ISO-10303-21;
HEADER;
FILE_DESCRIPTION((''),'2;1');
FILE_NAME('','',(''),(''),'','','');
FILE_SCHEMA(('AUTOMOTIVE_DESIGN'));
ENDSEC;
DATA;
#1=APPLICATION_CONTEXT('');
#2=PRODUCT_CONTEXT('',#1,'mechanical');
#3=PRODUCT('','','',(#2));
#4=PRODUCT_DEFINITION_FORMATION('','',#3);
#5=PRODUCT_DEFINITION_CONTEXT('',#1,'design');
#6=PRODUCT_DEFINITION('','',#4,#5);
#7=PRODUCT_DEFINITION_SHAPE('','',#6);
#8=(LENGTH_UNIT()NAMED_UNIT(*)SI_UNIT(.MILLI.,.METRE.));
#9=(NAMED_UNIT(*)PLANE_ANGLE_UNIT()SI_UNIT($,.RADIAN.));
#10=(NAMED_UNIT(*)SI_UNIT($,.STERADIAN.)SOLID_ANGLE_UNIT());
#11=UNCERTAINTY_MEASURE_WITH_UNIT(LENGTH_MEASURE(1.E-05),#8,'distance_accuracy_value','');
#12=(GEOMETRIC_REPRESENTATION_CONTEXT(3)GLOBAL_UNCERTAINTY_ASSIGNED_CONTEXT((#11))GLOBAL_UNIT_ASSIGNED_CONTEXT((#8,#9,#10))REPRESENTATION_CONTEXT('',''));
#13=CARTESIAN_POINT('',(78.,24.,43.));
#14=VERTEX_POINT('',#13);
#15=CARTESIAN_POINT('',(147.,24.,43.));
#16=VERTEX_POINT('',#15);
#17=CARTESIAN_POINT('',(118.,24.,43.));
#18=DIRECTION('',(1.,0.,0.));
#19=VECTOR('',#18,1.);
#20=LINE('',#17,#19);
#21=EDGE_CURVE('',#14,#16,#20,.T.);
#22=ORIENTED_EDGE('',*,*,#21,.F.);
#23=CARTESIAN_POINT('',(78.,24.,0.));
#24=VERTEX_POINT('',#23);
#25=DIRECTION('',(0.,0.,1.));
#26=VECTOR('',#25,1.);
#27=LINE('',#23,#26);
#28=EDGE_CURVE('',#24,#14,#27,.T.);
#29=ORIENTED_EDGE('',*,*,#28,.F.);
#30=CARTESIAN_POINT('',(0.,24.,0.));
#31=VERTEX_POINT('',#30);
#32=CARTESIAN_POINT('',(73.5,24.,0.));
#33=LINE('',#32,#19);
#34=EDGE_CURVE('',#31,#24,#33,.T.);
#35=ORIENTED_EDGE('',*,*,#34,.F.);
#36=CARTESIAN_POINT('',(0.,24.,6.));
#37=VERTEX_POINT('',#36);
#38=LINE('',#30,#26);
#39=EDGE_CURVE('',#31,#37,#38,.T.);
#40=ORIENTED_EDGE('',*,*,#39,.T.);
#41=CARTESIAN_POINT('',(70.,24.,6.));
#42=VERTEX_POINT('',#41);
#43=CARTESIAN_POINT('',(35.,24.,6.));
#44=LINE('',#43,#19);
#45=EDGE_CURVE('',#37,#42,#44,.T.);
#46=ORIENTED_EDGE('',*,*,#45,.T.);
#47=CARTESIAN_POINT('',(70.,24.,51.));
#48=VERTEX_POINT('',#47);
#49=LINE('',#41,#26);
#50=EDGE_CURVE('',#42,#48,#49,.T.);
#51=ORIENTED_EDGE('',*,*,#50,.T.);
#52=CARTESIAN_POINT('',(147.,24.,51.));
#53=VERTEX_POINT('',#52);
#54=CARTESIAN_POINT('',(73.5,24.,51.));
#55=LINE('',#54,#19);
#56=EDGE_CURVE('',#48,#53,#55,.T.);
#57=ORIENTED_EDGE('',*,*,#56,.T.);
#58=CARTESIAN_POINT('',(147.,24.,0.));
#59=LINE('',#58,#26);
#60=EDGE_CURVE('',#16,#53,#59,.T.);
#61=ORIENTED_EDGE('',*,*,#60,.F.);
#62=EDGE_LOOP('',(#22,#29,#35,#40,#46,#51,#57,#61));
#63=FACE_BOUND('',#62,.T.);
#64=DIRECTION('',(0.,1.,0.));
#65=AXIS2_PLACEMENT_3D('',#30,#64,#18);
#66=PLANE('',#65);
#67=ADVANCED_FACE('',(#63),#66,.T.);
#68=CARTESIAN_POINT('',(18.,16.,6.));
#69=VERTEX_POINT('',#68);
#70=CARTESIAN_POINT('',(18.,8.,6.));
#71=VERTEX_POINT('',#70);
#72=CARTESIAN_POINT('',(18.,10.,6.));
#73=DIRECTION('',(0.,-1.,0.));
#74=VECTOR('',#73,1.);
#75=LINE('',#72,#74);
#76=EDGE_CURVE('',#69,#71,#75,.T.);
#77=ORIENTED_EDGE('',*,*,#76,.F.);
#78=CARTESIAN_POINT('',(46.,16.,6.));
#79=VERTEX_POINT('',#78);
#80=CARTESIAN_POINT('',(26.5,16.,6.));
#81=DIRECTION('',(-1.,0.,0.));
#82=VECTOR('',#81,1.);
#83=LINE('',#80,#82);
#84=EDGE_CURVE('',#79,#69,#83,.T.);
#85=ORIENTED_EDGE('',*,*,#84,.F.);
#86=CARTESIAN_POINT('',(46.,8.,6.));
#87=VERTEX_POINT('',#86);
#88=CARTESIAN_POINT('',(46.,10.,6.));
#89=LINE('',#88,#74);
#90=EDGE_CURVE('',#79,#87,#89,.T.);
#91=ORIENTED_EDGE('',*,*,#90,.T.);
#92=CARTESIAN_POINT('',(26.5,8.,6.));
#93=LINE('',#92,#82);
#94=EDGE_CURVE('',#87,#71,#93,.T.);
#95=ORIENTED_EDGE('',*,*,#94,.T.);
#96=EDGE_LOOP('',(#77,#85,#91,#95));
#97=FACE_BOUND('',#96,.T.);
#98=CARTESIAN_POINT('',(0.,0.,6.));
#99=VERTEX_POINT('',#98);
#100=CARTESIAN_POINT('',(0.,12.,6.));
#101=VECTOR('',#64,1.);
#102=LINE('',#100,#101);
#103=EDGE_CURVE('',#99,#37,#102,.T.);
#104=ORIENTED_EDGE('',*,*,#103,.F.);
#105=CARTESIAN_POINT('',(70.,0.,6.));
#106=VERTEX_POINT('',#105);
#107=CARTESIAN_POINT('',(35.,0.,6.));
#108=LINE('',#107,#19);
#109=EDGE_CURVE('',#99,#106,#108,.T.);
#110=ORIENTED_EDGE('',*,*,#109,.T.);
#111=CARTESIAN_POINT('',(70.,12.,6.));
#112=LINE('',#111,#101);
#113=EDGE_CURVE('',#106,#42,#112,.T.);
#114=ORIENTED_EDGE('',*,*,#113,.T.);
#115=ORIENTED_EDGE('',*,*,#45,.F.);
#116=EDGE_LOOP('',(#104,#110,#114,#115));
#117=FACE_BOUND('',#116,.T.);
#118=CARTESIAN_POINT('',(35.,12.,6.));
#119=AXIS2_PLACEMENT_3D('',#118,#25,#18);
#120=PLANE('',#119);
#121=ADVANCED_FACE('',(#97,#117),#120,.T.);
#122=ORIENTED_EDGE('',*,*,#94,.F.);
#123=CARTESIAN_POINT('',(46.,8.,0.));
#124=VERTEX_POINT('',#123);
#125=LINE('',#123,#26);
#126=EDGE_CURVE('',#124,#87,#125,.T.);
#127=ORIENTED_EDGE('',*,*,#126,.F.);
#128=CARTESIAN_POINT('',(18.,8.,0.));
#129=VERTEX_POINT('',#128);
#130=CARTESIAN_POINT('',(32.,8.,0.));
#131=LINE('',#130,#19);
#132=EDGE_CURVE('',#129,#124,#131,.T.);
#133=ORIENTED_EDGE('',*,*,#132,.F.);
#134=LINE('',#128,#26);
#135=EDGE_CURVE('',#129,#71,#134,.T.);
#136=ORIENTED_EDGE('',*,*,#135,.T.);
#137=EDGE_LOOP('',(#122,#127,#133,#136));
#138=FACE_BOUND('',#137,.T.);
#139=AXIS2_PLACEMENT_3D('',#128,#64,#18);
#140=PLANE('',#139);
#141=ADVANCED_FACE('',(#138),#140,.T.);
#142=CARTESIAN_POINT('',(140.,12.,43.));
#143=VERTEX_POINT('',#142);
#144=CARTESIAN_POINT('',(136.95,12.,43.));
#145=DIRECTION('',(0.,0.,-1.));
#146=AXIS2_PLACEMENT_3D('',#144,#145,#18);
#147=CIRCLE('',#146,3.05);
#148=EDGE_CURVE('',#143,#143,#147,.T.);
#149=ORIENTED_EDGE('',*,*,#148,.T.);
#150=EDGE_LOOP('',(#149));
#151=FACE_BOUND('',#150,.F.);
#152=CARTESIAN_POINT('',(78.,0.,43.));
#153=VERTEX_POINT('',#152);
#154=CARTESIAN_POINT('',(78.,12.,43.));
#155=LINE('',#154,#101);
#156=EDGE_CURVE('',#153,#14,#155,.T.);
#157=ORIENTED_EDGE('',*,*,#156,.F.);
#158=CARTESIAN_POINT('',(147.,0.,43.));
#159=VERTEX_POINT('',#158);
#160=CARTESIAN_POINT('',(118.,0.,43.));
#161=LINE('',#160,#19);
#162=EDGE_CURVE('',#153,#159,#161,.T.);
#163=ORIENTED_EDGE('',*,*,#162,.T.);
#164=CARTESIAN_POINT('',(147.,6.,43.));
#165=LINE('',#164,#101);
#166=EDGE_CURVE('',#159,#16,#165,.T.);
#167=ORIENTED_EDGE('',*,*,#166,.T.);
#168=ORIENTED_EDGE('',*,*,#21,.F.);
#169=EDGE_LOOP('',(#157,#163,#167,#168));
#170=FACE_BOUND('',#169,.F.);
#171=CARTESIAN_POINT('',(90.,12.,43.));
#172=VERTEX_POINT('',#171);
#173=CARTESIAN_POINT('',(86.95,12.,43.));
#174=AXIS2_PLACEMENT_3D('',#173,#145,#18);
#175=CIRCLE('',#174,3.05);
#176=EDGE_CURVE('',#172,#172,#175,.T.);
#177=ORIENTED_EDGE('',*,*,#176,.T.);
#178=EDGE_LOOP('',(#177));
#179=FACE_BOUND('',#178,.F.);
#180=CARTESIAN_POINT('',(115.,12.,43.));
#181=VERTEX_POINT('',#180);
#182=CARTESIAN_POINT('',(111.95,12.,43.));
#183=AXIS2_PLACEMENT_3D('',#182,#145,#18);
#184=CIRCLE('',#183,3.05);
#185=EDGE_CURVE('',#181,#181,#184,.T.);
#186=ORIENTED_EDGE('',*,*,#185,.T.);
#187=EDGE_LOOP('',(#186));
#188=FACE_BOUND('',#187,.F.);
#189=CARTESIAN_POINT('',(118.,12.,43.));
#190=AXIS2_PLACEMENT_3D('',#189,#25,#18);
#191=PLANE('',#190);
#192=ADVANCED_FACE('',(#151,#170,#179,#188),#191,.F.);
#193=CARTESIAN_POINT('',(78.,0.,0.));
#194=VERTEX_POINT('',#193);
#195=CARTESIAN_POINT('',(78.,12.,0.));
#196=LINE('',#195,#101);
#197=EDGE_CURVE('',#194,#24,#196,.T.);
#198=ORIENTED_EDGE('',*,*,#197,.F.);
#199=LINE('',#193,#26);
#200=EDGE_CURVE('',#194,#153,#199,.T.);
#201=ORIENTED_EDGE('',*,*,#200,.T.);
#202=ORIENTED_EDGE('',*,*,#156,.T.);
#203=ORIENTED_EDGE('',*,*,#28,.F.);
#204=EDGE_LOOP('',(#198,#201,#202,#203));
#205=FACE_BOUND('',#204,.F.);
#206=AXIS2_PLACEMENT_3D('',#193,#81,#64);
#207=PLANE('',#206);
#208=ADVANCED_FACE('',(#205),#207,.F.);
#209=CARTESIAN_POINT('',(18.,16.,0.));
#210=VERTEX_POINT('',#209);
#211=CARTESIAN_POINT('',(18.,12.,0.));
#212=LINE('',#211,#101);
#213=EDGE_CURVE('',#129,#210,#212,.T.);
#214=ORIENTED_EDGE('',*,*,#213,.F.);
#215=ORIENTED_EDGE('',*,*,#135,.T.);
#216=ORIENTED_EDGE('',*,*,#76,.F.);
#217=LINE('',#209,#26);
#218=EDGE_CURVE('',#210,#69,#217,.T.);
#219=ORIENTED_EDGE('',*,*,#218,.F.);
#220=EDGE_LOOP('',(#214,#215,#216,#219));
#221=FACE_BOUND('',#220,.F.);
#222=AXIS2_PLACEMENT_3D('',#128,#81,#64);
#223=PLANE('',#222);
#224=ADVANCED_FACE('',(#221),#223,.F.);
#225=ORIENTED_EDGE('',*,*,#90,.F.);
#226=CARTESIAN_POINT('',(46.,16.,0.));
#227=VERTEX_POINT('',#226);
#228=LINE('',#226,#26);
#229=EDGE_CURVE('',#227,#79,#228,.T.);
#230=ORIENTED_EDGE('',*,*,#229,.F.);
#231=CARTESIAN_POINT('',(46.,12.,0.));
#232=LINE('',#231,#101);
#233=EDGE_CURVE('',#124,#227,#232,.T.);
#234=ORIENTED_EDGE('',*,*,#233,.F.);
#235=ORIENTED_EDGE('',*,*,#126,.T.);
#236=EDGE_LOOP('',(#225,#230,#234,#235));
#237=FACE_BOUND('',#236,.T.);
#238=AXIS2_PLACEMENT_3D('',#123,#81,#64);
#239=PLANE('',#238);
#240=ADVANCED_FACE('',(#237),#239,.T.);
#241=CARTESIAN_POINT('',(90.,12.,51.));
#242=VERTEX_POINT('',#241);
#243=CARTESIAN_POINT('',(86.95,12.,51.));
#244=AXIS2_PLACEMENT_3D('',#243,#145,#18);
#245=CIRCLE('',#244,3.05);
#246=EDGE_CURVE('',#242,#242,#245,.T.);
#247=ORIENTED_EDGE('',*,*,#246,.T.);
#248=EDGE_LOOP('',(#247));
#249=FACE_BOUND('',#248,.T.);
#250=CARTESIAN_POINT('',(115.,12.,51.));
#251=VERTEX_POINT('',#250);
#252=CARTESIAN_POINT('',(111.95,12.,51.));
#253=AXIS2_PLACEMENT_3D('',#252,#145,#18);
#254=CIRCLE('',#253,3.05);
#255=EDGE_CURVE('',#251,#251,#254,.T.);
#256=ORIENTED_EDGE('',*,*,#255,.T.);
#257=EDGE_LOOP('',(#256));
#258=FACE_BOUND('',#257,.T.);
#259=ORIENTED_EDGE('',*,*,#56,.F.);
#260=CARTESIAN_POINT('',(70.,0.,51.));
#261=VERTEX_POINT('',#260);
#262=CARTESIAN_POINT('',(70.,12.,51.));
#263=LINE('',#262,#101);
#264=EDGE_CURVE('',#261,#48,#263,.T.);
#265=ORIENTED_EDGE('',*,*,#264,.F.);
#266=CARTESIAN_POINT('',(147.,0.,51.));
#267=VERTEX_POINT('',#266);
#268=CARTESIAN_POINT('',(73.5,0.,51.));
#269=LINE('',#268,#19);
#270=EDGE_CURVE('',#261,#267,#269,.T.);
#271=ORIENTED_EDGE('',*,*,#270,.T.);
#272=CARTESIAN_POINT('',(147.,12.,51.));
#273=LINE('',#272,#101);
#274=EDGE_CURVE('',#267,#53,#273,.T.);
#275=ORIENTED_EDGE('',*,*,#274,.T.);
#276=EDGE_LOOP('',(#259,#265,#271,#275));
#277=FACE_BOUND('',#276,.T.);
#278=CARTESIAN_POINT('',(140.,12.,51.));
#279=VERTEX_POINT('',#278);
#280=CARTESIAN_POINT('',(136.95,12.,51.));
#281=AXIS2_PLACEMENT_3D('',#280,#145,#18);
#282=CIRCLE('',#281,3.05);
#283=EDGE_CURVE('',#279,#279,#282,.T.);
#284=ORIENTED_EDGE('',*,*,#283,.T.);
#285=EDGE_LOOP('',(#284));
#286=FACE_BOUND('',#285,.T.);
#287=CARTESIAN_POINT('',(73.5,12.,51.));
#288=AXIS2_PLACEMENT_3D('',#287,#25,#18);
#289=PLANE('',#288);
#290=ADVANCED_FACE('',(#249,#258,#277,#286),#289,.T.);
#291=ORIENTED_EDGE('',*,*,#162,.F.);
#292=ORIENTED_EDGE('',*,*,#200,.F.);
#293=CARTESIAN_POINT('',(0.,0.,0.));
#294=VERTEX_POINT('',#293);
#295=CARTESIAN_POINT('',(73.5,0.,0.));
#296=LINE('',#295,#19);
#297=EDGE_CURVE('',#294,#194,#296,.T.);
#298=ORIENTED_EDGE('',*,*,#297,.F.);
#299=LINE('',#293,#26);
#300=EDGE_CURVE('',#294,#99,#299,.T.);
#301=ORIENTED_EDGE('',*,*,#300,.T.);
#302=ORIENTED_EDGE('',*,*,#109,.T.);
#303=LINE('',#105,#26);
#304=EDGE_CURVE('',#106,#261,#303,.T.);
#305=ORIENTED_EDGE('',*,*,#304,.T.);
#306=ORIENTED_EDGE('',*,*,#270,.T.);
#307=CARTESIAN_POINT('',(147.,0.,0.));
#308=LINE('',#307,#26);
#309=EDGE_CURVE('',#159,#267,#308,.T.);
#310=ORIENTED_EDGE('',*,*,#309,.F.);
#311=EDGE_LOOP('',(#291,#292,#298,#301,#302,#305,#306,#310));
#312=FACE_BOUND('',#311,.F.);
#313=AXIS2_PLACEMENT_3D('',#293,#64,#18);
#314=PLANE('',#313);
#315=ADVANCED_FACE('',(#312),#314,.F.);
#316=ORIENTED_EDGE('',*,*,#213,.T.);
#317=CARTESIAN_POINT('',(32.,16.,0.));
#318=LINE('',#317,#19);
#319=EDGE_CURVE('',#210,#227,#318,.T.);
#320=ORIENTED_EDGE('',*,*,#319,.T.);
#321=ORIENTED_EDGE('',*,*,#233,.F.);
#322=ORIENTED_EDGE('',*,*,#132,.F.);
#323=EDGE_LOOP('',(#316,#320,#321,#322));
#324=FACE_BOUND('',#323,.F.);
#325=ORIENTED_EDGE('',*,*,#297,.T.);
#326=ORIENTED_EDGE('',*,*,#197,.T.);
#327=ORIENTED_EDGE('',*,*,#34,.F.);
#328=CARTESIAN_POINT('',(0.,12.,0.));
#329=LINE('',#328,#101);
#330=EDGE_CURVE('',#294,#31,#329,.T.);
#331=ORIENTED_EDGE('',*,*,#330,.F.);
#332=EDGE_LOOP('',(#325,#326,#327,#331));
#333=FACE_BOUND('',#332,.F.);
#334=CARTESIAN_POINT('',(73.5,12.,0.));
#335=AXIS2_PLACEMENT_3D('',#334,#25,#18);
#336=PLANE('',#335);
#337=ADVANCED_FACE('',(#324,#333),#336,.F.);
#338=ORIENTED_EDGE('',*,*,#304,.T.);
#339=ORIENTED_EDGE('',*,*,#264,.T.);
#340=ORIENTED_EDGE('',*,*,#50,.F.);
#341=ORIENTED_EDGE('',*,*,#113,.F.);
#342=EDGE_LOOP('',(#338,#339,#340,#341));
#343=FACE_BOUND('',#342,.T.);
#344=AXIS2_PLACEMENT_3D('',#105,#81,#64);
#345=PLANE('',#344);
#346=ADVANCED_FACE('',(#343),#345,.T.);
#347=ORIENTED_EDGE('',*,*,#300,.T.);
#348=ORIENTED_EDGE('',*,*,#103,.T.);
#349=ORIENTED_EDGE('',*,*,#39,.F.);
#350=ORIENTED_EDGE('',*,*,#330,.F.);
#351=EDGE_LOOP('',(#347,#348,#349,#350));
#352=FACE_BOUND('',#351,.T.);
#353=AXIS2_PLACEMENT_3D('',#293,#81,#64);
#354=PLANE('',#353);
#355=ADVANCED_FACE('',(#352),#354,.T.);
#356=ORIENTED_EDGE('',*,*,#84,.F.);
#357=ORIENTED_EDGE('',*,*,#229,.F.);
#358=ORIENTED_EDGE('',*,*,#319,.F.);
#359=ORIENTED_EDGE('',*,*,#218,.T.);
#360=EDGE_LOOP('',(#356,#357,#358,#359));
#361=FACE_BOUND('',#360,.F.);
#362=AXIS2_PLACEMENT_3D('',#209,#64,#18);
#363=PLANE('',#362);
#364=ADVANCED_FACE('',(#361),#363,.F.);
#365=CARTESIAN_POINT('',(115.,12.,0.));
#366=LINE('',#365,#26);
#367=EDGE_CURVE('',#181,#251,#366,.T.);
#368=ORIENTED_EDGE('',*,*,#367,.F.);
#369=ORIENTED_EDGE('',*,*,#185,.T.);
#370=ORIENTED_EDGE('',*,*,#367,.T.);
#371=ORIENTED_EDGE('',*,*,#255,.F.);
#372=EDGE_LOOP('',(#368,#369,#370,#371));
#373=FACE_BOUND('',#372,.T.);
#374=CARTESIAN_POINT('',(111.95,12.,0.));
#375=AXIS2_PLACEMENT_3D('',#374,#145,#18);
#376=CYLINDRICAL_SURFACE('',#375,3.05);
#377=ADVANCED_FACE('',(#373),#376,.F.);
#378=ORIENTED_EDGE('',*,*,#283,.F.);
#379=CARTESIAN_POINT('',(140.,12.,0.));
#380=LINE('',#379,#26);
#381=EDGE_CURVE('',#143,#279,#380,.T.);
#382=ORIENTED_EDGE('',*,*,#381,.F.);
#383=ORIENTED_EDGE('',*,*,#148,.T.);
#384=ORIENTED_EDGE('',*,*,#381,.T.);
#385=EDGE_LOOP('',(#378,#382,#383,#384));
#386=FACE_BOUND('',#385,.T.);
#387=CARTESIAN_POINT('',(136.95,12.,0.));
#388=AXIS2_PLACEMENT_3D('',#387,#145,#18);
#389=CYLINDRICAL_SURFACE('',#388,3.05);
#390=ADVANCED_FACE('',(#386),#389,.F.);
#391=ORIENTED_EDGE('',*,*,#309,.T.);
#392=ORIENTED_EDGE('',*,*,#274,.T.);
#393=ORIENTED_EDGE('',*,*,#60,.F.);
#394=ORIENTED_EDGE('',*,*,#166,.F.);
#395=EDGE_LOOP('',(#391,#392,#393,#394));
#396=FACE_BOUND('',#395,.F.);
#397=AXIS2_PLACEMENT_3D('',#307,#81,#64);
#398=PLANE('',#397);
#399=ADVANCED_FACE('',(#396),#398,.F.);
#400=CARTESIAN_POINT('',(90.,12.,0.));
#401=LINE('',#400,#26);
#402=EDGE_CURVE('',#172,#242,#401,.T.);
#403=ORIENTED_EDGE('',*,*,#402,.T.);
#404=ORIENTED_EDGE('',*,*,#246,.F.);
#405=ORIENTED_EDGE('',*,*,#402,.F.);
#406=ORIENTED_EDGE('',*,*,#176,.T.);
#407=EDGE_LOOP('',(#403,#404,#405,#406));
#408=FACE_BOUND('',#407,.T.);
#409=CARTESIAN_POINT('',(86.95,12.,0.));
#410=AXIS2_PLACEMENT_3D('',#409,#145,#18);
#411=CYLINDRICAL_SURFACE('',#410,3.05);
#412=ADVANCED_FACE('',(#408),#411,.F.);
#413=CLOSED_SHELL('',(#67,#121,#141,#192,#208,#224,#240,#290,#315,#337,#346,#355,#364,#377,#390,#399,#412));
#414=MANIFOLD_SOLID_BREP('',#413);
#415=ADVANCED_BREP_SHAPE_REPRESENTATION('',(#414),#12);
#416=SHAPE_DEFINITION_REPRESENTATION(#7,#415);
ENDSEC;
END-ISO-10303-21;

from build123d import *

# Parameters (mm, degrees)
BOX003_W          = 28
BOX003_H          = 8
BOX003_DEPTH      = 10
CYLINDER_R        = 3.05
CYLINDER_DEPTH    = 80
CYLINDER001_R     = 3.05
CYLINDER001_DEPTH = 80
CYLINDER002_R     = 3.05
CYLINDER002_DEPTH = 80
BOX001_W          = 70
BOX001_H          = 24
BOX001_DEPTH      = 45
BOX002_W          = 80
BOX002_H          = 24
BOX002_DEPTH      = 43
BOX_W             = 147
BOX_H             = 24
BOX_DEPTH         = 51


with BuildPart() as slide_hole:
    # Box003 → Box003 (new body)
    with BuildSketch(Plane(origin=(18, 8, 0), x_dir=(1, 0, 0), z_dir=(0, 0, 1))):
        with Locations((14, 4)):
            Rectangle(BOX003_W, BOX003_H)
    extrude(amount=BOX003_DEPTH)


with BuildPart() as hole_r:
    # Cylinder → Cylinder (new body)
    with BuildSketch(Plane(origin=(136.95, 12, 0), x_dir=(1, 0, 0), z_dir=(0, 0, 1))):
        Circle(CYLINDER_R)
    extrude(amount=CYLINDER_DEPTH)


with BuildPart() as hole_c:
    # Cylinder001 → Cylinder001 (new body)
    with BuildSketch(Plane(origin=(111.95, 12, 0), x_dir=(1, 0, 0), z_dir=(0, 0, 1))):
        Circle(CYLINDER001_R)
    extrude(amount=CYLINDER001_DEPTH)


with BuildPart() as hole_l:
    # Cylinder002 → Cylinder002 (new body)
    with BuildSketch(Plane(origin=(86.95, 12, 0), x_dir=(1, 0, 0), z_dir=(0, 0, 1))):
        Circle(CYLINDER002_R)
    extrude(amount=CYLINDER002_DEPTH)


with BuildPart() as left_cut:
    # Box001 → Box001 (new body)
    with BuildSketch(Plane.XY.offset(6)):
        with Locations((35, 12)):
            Rectangle(BOX001_W, BOX001_H)
    extrude(amount=BOX001_DEPTH)


with BuildPart() as right_cut:
    # Box002 → Box002 (new body)
    with BuildSketch(Plane(origin=(78, 0, 0), x_dir=(1, 0, 0), z_dir=(0, 0, 1))):
        with Locations((40, 12)):
            Rectangle(BOX002_W, BOX002_H)
    extrude(amount=BOX002_DEPTH)


with BuildPart() as cut005:
    # Box → Box (new body)
    with BuildSketch(Plane.XY):
        with Locations((73.5, 12)):
            Rectangle(BOX_W, BOX_H)
    extrude(amount=BOX_DEPTH)

    # Cut: cut Right Cut
    add(right_cut.part, mode=Mode.SUBTRACT)

    # Cut001: cut Left Cut
    add(left_cut.part, mode=Mode.SUBTRACT)

    # Cut002: cut Hole L
    add(hole_l.part, mode=Mode.SUBTRACT)

    # Cut003: cut Hole C
    add(hole_c.part, mode=Mode.SUBTRACT)

    # Cut004: cut Hole R
    add(hole_r.part, mode=Mode.SUBTRACT)

    # Cut005: cut Slide Hole
    add(slide_hole.part, mode=Mode.SUBTRACT)


solid = cut005.part
